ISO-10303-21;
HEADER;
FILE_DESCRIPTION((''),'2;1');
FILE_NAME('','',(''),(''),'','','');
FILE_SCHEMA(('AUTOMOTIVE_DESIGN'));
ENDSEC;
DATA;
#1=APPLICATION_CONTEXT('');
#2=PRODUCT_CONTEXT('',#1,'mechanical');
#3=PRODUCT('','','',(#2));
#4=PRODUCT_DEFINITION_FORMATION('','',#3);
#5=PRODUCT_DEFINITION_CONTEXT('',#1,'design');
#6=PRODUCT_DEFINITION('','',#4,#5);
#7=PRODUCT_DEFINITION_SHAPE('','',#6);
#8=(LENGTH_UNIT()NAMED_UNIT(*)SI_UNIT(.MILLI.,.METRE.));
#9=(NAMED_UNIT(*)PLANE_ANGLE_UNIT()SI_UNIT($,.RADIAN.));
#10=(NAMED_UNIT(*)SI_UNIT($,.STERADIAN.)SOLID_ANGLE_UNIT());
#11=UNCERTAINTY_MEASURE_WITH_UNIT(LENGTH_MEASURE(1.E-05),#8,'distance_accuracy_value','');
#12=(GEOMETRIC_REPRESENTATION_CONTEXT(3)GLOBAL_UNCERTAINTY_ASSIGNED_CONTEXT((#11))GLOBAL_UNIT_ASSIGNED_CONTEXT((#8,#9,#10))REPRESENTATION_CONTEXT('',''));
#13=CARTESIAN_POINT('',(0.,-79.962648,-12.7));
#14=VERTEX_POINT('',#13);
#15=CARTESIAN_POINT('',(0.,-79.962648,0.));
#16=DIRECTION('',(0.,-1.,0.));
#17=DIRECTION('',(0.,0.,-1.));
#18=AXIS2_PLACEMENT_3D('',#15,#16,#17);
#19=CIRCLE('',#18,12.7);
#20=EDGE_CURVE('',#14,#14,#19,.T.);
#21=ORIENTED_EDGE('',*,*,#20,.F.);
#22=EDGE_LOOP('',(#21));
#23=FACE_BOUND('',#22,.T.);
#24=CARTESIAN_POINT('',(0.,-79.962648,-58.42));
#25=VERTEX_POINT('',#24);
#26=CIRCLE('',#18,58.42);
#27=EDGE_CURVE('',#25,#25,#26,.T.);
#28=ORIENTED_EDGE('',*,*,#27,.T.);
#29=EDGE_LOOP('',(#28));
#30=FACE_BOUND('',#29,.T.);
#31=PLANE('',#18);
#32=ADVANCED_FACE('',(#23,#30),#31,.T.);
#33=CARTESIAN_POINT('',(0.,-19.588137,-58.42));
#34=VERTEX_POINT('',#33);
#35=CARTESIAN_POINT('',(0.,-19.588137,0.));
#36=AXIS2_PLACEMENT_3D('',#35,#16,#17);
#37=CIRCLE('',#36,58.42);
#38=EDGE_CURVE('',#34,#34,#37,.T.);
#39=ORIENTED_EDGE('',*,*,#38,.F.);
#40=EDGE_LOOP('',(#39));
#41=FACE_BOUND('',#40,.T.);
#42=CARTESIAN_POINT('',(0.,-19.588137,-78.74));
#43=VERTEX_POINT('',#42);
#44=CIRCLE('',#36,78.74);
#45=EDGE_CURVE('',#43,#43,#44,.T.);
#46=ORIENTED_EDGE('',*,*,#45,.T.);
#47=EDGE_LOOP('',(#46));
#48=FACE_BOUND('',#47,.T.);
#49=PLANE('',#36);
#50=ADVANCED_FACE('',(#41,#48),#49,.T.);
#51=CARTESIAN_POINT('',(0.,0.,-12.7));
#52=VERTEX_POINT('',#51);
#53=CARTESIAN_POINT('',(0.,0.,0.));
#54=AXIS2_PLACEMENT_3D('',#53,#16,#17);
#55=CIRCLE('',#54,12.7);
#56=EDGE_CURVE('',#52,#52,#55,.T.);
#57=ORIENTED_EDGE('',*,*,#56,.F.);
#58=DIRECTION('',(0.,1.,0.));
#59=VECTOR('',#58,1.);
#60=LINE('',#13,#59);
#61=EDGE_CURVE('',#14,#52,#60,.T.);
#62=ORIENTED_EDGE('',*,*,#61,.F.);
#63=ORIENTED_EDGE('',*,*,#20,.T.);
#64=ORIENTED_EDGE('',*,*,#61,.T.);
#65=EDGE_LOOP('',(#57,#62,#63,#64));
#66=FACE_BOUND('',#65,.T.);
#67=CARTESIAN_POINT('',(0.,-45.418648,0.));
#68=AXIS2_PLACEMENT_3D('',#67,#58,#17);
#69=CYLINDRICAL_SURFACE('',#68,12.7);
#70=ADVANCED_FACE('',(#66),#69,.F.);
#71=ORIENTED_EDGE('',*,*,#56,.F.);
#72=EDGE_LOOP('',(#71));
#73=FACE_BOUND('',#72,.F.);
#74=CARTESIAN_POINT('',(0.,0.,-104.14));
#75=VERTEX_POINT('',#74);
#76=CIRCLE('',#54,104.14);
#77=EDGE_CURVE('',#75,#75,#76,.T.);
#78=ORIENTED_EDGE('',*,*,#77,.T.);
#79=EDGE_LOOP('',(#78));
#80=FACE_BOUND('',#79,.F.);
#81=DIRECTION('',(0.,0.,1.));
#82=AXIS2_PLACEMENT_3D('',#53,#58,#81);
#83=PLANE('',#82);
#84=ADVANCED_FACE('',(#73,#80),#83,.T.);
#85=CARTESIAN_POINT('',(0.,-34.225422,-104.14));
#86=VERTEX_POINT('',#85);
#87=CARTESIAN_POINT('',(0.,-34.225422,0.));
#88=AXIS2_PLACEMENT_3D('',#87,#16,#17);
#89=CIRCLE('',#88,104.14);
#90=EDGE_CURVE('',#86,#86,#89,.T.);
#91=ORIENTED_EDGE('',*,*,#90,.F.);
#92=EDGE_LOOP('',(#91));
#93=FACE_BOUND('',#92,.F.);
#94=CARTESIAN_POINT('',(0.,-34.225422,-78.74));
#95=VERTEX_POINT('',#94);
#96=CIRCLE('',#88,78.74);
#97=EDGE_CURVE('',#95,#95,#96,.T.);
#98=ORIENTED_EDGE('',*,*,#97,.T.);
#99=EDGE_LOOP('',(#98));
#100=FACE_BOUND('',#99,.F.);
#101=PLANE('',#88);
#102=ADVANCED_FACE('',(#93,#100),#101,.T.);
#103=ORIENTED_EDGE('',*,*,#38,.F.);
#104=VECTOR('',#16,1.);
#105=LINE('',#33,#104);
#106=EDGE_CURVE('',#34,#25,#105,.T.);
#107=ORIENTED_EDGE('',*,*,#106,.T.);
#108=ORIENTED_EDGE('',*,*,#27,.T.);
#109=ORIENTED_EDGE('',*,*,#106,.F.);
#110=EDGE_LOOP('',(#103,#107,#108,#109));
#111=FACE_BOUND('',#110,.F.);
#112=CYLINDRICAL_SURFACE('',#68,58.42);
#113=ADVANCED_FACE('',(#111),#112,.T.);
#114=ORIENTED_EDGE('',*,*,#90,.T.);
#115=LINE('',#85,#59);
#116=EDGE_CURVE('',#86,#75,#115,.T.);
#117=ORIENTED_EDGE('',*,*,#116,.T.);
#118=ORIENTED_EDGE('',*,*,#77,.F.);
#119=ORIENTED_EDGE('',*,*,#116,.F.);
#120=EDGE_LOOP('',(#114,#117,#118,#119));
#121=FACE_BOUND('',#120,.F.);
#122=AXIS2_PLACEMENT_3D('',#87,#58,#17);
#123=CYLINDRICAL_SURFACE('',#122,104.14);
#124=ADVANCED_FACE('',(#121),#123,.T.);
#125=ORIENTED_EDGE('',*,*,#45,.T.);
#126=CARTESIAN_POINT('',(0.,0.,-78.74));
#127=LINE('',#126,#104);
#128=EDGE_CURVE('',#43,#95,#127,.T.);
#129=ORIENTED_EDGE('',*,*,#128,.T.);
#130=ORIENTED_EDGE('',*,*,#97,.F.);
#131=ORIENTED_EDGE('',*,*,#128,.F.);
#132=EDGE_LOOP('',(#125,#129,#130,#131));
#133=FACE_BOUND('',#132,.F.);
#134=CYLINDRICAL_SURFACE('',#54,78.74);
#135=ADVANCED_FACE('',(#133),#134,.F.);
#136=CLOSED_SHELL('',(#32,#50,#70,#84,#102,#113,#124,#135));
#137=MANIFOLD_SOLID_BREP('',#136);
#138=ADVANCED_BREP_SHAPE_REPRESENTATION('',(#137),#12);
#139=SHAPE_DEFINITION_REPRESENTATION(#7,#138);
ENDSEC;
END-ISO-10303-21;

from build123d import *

# Parameters (mm, degrees)
F0_W     = 25.8305106723
F0_H     = 45.72
F0_W_2   = 19.5881370437
F0_H_2   = 20.32
F2_DEPTH = 34.544


with BuildPart() as f1:
    # F0 (on Right) → F1 (revolve)
    with BuildSketch(Plane.YZ):
        Polygon((0, -104.14), (0, -78.74), (-19.5881370437, -78.74), (-34.2254221025, -78.74), (-34.2254221025, -104.14), align=None)
        with Locations((-32.5033923798, -35.56)):
            Rectangle(F0_W, F0_H)
        with Locations((-9.7940685218, -68.58)):
            Rectangle(F0_W_2, F0_H_2)
        with Locations((-9.7940685218, -35.56)):
            Rectangle(F0_W_2, F0_H)
    revolve(axis=Axis((0, -33.0415281269, 0), (0, -1, 0)))

    # F2 (add): a face of the model
    f2_faces = [f1.faces().sort_by_distance(p)[0] for p in [
        (0, -45.418647716, 14.3523671263),
    ]]
    extrude(f2_faces, amount=F2_DEPTH)


solid = f1.part
